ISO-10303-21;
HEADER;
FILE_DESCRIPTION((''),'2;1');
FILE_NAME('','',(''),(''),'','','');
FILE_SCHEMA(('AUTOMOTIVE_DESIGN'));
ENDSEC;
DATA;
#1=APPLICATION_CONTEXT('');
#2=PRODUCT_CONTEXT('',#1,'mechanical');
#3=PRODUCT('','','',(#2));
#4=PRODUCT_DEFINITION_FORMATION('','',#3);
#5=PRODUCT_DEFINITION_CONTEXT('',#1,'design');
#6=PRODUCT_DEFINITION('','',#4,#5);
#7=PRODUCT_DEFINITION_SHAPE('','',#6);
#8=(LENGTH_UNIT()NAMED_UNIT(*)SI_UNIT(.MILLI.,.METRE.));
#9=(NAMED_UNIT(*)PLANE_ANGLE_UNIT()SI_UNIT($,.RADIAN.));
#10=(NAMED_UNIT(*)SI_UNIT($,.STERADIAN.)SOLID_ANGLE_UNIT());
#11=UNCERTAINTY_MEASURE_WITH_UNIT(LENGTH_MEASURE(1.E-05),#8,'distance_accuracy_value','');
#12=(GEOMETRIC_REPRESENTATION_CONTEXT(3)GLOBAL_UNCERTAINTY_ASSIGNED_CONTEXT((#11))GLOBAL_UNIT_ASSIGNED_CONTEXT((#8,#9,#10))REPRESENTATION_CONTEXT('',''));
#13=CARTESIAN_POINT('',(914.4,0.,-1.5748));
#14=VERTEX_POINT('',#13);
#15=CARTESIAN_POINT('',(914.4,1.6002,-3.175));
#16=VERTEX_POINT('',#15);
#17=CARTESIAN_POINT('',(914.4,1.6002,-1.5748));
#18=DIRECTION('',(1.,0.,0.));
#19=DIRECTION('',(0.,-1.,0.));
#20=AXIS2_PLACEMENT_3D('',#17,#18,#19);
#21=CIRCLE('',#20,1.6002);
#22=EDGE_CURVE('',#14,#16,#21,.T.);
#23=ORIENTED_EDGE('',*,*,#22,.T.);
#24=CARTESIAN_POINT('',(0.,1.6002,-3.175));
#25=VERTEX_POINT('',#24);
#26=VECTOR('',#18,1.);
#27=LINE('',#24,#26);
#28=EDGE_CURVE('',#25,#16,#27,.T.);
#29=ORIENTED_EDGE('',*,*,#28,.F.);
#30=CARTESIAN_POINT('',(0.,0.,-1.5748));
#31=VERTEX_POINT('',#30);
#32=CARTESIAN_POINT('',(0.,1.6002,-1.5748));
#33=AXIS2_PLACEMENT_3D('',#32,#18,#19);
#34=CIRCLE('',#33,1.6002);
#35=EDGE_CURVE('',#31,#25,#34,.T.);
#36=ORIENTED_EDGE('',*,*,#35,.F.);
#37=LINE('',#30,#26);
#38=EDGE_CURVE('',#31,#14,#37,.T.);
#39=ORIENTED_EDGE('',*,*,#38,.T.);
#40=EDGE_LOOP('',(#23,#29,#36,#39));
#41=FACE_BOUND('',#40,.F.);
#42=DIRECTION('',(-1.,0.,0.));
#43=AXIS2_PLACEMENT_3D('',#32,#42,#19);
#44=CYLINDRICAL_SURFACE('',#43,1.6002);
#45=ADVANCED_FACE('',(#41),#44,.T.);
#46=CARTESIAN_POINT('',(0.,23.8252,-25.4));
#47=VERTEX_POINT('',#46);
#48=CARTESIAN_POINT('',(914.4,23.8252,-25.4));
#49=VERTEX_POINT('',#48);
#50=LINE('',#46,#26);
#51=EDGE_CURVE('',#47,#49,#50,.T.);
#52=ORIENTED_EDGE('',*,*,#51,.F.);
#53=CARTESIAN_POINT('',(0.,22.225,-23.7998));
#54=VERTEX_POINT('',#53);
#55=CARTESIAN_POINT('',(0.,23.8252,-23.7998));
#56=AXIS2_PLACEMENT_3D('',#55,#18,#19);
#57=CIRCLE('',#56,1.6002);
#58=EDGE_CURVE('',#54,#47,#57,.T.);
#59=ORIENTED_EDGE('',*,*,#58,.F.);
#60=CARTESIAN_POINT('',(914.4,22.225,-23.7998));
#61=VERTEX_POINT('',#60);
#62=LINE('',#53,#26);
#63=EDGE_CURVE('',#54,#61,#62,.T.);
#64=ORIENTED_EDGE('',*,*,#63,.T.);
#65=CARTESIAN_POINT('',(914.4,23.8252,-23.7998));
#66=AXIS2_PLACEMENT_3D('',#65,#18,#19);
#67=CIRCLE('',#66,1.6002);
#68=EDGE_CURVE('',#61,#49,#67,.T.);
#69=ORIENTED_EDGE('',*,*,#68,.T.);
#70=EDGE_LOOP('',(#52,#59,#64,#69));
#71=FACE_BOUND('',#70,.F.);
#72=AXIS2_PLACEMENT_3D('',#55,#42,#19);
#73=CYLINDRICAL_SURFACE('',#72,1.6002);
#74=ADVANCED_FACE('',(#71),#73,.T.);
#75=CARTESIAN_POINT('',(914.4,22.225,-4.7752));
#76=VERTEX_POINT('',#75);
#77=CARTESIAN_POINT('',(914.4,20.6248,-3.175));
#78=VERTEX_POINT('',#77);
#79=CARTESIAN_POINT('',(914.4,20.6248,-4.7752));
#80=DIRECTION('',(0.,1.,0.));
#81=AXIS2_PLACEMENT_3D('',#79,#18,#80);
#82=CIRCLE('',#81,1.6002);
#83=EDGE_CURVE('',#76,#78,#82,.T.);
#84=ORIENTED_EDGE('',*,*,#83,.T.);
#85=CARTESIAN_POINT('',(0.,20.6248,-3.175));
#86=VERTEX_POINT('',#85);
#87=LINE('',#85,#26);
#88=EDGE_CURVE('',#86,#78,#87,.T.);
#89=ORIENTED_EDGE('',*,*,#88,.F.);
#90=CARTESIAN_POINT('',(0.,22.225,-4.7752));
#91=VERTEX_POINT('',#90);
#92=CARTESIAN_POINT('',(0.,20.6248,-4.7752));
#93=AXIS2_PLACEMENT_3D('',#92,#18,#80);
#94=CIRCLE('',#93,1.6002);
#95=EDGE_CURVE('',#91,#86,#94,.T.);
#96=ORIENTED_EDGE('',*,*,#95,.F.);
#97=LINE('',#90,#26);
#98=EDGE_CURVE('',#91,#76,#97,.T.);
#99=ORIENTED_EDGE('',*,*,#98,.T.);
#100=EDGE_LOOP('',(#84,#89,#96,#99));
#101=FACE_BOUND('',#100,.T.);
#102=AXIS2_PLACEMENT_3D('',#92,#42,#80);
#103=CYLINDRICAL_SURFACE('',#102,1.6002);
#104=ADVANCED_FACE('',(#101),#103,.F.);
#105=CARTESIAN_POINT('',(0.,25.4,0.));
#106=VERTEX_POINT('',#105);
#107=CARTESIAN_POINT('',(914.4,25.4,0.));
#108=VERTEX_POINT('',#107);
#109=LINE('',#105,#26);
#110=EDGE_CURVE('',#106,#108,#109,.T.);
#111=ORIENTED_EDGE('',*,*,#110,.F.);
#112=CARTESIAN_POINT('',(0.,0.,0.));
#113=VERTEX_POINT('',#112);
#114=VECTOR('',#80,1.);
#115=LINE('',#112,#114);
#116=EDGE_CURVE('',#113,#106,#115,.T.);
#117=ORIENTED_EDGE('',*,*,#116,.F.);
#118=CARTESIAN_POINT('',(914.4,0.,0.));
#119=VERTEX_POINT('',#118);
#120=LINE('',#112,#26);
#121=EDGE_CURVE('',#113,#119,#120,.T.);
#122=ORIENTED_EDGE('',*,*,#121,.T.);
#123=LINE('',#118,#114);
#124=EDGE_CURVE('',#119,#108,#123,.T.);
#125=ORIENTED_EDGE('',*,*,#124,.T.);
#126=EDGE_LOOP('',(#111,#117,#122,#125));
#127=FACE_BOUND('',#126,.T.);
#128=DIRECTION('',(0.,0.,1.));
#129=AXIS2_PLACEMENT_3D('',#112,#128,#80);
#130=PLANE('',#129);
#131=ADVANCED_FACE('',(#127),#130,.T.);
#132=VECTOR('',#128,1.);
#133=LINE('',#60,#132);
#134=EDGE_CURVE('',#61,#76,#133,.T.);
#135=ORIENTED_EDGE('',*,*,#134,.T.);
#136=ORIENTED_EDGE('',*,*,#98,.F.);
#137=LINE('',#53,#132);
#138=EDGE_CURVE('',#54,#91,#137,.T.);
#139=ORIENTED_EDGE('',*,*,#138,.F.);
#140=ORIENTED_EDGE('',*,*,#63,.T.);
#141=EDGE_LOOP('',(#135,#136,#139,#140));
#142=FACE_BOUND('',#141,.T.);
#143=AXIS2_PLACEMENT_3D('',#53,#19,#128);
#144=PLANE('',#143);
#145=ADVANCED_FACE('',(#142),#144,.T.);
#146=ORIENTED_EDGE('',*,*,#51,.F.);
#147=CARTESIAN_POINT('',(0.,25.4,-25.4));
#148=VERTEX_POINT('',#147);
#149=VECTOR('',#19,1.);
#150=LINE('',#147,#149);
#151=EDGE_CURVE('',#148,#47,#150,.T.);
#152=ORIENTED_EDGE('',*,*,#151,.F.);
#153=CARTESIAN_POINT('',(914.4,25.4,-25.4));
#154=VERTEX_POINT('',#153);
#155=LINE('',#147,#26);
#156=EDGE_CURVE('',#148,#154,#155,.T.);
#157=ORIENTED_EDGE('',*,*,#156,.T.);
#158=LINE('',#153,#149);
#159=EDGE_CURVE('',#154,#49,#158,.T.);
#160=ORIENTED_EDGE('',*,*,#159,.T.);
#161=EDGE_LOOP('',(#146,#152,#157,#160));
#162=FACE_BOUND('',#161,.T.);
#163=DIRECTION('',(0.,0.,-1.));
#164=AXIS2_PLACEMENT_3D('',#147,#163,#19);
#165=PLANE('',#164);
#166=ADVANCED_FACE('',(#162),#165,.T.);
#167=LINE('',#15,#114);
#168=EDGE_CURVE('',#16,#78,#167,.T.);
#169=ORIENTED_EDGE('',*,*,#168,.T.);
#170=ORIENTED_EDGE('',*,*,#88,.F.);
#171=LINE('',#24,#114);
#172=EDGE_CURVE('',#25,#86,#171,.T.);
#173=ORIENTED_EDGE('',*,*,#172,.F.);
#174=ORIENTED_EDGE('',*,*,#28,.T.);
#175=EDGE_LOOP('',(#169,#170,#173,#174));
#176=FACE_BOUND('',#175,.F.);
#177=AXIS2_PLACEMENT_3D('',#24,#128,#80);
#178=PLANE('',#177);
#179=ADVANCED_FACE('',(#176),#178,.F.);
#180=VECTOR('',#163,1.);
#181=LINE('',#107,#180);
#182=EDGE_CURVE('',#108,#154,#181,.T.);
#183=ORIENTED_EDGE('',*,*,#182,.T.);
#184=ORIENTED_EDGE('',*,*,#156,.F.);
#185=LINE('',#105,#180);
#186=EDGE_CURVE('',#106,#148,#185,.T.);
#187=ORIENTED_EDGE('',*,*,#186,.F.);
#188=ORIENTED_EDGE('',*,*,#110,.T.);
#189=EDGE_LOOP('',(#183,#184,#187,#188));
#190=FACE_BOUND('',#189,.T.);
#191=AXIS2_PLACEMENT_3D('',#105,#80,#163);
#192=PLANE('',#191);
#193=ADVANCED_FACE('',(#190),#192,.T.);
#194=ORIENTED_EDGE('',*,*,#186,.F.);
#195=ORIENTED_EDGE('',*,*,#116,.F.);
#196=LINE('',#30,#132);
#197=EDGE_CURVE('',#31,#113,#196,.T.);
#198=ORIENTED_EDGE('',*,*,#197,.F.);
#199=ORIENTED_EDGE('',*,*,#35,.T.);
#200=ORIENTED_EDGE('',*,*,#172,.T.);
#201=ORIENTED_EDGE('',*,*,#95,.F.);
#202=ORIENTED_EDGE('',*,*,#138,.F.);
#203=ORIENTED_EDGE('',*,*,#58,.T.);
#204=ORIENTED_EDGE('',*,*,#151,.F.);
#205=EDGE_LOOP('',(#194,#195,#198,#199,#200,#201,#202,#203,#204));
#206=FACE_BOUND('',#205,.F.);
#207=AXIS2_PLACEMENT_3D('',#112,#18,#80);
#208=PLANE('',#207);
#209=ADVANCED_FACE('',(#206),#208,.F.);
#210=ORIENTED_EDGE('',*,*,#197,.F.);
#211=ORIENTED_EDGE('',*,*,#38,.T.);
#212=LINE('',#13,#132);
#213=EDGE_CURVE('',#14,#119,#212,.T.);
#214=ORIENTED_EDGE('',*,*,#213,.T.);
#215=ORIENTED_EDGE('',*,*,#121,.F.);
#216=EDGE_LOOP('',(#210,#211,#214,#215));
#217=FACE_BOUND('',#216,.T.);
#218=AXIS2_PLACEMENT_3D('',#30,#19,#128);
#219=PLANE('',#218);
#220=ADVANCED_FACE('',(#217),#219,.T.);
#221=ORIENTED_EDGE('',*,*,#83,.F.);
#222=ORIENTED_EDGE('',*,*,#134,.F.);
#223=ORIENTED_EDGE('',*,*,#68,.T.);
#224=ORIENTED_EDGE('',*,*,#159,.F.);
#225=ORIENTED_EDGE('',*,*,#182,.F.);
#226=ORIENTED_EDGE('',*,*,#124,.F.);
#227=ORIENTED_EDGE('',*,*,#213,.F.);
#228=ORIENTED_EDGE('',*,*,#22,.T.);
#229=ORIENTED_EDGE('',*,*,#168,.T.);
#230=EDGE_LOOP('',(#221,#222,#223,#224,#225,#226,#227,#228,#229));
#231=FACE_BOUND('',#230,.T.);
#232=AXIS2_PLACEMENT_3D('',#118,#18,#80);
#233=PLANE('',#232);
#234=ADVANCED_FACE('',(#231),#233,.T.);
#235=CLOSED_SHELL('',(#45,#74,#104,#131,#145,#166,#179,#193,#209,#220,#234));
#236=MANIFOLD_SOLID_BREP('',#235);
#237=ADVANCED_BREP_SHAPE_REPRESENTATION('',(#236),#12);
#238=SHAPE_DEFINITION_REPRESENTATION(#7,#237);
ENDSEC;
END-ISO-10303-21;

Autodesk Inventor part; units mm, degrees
ref_plane "YZ Plane" through (0, 0, 0) normal (1, 0, 0) x (0, 1, 0)
ref_plane "XZ Plane" through (0, 0, 0) normal (0, 1, 0) x (-1, 0, 0)
ref_plane "XY Plane" through (0, 0, 0) normal (0, 0, 1) x (1, 0, 0)
sketch "Sketch1" plane through (0, 0, 0) normal (1, 0, 0) x (0, 1, 0)
  line L0 (0, 0) -> (25.4, 0)
  line L1 (25.4, 0) -> (25.4, -25.4)
  line L2 (25.4, -25.4) -> (23.8252, -25.4)
  line L3 (0, -1.5748) -> (0, 0)
  line L4 (25.4, 0) -> (22.225, 0) construction
  line L5 (22.225, 0) -> (22.225, -3.175) construction
  line L6 (22.225, -3.175) -> (25.4, -3.175) construction
  line L7 (25.4, -3.175) -> (25.4, 0) construction
  line L8 (25.4, -25.4) -> (22.225, -25.4) construction
  line L9 (0, 0) -> (0, -3.175) construction
  line L10 (1.6002, -3.175) -> (20.6248, -3.175)
  line L11 (22.225, -23.7998) -> (22.225, -4.7752)
  arc A0 (22.225, -23.7998) -> (23.8252, -25.4) centre (23.8252, -23.7998) ccw
  arc A1 (0, -1.5748) -> (1.6002, -3.175) centre (1.6002, -1.5748) ccw
  arc A2 (22.225, -4.7752) -> (20.6248, -3.175) centre (20.6248, -4.7752) ccw
  point P0 (0, -25.4)
  dimension "d0" = 25.4
  dimension "d1" = 25.4
  dimension "d2" = 3.175
  dimension "d3" = 3.175
  dimension "d4" = 3.175
  dimension "d5" = 3.175
  dimension "d6" = 1.6002
  dimension "d7" = 1.6002
extrude "Extrusion1" add sketch "Sketch1" along normal blind 914.4
properties part number "36in1.0Lch" material "Steel, Mild"
